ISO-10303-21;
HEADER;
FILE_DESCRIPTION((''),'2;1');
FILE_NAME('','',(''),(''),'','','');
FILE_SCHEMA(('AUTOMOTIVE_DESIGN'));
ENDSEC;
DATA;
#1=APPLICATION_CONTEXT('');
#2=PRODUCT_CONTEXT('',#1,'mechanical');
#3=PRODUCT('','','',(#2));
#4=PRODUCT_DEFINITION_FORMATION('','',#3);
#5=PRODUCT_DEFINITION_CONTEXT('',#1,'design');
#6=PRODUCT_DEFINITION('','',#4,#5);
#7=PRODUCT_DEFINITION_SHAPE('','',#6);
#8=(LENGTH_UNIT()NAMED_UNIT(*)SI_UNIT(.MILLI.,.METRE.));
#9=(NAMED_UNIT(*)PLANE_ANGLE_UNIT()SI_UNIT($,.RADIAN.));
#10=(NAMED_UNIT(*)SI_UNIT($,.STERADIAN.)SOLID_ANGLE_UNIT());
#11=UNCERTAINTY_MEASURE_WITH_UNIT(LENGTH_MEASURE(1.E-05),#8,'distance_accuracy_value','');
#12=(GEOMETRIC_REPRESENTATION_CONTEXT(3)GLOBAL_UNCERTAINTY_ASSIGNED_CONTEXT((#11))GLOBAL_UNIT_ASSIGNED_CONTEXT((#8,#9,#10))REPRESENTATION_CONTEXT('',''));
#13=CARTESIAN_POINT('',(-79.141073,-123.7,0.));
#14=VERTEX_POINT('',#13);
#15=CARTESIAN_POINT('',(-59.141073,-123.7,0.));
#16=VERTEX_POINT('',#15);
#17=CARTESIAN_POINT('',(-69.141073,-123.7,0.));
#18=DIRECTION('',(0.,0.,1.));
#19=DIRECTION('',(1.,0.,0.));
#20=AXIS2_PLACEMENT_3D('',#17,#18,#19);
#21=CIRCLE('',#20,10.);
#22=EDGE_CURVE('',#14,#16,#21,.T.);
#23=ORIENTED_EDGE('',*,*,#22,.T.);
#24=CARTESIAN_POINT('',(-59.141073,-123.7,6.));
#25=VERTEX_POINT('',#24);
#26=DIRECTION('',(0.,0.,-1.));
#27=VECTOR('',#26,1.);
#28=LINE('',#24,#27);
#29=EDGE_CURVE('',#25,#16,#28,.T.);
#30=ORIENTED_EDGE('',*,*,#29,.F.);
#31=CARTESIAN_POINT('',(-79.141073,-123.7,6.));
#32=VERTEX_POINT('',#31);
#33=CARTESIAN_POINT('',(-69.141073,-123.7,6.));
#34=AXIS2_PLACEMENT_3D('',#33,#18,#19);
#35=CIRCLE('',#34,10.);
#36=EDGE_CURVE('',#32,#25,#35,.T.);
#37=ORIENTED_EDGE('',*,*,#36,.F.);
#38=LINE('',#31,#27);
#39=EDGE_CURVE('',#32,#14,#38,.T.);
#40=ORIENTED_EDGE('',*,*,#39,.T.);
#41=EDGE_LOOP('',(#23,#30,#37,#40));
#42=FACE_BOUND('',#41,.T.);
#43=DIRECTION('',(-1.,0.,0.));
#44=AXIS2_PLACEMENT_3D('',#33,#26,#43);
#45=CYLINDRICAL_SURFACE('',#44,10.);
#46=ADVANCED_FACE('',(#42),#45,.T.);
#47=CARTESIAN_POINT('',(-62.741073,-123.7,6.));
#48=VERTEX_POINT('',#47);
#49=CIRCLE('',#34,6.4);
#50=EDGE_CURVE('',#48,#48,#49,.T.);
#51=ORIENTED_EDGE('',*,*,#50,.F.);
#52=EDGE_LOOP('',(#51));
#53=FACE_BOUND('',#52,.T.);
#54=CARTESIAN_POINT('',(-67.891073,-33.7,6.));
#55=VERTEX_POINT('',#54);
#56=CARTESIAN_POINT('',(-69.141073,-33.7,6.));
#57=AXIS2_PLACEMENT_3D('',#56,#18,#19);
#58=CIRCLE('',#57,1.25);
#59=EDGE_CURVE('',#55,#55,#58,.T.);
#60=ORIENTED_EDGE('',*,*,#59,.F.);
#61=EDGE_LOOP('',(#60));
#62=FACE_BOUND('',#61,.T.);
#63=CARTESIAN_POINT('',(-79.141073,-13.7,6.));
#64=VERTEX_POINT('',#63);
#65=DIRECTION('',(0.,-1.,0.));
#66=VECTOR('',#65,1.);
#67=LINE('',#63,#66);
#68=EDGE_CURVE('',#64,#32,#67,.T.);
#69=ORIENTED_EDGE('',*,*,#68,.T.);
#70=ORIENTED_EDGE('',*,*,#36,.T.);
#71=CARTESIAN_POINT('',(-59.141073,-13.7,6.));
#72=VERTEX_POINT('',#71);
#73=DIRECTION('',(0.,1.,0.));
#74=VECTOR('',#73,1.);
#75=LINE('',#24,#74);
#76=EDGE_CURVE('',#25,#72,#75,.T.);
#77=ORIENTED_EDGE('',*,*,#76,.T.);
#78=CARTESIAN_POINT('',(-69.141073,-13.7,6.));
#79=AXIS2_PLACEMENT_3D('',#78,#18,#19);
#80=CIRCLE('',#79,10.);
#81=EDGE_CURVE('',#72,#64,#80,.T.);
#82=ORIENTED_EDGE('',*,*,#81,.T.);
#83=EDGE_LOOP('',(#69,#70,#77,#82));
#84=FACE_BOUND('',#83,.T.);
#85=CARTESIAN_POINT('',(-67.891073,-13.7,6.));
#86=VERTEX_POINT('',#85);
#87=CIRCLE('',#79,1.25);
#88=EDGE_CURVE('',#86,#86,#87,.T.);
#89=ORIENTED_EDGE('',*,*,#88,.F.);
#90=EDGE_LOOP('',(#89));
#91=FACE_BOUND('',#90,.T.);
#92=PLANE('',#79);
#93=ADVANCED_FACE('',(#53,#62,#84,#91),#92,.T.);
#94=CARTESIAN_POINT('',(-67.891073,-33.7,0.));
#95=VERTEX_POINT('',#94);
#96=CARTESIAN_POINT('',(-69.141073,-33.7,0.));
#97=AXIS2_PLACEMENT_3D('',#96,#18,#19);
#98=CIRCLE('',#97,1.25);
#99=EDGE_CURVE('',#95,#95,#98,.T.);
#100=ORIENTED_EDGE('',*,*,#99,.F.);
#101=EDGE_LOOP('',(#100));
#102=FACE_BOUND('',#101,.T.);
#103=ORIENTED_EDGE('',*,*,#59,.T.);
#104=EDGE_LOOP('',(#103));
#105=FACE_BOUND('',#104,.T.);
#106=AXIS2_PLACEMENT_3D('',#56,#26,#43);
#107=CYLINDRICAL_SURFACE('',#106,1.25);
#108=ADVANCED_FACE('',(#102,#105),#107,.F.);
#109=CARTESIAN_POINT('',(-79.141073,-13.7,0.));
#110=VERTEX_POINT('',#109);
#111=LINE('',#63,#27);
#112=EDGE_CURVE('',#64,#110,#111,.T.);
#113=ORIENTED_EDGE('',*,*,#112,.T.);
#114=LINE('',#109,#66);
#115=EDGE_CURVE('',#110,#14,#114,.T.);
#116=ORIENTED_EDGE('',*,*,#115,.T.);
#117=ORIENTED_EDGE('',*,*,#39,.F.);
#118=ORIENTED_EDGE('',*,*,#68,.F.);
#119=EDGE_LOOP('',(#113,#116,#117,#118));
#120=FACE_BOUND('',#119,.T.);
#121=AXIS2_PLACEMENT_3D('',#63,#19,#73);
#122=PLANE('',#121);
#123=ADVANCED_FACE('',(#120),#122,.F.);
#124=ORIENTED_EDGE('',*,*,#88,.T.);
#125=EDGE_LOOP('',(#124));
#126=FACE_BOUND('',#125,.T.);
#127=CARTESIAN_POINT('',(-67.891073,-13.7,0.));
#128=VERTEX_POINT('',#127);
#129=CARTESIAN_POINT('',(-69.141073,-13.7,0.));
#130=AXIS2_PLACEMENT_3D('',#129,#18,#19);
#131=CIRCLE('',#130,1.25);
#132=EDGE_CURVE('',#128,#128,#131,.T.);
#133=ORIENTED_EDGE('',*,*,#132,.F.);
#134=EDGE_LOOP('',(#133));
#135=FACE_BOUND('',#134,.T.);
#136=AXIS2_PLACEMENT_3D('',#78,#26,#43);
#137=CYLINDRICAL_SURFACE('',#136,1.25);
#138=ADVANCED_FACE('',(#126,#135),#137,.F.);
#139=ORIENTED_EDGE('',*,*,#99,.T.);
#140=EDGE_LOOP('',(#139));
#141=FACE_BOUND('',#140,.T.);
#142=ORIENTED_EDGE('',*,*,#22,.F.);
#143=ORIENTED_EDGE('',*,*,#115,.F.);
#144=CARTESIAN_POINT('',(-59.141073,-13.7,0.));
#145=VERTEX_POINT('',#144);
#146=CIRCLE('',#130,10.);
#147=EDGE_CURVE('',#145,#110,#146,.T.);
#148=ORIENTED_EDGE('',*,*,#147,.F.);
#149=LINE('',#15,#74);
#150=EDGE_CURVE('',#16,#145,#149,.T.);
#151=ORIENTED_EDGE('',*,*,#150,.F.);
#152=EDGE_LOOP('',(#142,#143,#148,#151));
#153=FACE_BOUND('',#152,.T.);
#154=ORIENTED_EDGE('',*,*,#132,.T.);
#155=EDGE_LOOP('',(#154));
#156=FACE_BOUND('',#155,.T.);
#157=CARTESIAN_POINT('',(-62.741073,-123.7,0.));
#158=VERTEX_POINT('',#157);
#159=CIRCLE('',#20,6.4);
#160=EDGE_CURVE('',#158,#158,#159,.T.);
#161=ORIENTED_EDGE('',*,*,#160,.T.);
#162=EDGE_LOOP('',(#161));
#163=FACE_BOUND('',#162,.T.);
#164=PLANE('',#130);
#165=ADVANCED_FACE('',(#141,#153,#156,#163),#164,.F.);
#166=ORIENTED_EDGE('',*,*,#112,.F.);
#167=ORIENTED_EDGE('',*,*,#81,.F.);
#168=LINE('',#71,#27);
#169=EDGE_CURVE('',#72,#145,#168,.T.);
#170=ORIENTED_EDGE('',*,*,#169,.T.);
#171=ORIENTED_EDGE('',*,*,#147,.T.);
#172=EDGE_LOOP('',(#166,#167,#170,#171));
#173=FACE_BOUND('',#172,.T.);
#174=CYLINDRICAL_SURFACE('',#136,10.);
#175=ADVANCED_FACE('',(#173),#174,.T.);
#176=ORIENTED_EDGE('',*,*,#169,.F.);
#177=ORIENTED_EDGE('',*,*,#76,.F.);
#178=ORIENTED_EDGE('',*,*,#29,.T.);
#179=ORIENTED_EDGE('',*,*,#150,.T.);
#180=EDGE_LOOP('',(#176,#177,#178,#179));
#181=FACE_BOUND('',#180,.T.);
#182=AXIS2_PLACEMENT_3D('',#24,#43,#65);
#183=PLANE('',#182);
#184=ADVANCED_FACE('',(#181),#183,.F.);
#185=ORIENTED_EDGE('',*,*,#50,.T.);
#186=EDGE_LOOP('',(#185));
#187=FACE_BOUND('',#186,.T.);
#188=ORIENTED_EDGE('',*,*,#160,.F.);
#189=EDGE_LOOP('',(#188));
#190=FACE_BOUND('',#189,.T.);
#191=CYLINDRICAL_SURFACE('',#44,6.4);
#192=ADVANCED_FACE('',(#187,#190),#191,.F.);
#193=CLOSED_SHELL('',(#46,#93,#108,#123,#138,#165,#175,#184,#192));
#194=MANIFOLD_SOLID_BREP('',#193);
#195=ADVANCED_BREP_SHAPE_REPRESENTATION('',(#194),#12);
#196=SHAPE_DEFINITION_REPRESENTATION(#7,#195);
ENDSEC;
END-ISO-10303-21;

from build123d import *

# Parameters (mm, degrees)
ESQUISSE1_R        = 1.25
ESQUISSE1_R_2      = 6.4
BOSS_EXTRU_1_DEPTH = 6


with BuildPart() as part:
    # Esquisse1 → Boss.-Extru.1 (new body)
    with BuildSketch(Plane.XY):
        with BuildLine():
            Line((-79.14107268, -13.7), (-79.14107268, -123.7))
            ThreePointArc((-79.14107268, -123.7), (-69.14107268, -133.7), (-59.14107268, -123.7))
            Line((-59.14107268, -123.7), (-59.14107268, -13.7))
            ThreePointArc((-59.14107268, -13.7), (-69.14107268, -3.7), (-79.14107268, -13.7))
        make_face()
        with Locations((-69.14107268, -13.7)):
            Circle(ESQUISSE1_R, mode=Mode.SUBTRACT)
        with Locations((-69.14107268, -33.7)):
            Circle(ESQUISSE1_R, mode=Mode.SUBTRACT)
        with Locations((-69.14107268, -123.7)):
            Circle(ESQUISSE1_R_2, mode=Mode.SUBTRACT)
    extrude(amount=BOSS_EXTRU_1_DEPTH)


solid = part.part
